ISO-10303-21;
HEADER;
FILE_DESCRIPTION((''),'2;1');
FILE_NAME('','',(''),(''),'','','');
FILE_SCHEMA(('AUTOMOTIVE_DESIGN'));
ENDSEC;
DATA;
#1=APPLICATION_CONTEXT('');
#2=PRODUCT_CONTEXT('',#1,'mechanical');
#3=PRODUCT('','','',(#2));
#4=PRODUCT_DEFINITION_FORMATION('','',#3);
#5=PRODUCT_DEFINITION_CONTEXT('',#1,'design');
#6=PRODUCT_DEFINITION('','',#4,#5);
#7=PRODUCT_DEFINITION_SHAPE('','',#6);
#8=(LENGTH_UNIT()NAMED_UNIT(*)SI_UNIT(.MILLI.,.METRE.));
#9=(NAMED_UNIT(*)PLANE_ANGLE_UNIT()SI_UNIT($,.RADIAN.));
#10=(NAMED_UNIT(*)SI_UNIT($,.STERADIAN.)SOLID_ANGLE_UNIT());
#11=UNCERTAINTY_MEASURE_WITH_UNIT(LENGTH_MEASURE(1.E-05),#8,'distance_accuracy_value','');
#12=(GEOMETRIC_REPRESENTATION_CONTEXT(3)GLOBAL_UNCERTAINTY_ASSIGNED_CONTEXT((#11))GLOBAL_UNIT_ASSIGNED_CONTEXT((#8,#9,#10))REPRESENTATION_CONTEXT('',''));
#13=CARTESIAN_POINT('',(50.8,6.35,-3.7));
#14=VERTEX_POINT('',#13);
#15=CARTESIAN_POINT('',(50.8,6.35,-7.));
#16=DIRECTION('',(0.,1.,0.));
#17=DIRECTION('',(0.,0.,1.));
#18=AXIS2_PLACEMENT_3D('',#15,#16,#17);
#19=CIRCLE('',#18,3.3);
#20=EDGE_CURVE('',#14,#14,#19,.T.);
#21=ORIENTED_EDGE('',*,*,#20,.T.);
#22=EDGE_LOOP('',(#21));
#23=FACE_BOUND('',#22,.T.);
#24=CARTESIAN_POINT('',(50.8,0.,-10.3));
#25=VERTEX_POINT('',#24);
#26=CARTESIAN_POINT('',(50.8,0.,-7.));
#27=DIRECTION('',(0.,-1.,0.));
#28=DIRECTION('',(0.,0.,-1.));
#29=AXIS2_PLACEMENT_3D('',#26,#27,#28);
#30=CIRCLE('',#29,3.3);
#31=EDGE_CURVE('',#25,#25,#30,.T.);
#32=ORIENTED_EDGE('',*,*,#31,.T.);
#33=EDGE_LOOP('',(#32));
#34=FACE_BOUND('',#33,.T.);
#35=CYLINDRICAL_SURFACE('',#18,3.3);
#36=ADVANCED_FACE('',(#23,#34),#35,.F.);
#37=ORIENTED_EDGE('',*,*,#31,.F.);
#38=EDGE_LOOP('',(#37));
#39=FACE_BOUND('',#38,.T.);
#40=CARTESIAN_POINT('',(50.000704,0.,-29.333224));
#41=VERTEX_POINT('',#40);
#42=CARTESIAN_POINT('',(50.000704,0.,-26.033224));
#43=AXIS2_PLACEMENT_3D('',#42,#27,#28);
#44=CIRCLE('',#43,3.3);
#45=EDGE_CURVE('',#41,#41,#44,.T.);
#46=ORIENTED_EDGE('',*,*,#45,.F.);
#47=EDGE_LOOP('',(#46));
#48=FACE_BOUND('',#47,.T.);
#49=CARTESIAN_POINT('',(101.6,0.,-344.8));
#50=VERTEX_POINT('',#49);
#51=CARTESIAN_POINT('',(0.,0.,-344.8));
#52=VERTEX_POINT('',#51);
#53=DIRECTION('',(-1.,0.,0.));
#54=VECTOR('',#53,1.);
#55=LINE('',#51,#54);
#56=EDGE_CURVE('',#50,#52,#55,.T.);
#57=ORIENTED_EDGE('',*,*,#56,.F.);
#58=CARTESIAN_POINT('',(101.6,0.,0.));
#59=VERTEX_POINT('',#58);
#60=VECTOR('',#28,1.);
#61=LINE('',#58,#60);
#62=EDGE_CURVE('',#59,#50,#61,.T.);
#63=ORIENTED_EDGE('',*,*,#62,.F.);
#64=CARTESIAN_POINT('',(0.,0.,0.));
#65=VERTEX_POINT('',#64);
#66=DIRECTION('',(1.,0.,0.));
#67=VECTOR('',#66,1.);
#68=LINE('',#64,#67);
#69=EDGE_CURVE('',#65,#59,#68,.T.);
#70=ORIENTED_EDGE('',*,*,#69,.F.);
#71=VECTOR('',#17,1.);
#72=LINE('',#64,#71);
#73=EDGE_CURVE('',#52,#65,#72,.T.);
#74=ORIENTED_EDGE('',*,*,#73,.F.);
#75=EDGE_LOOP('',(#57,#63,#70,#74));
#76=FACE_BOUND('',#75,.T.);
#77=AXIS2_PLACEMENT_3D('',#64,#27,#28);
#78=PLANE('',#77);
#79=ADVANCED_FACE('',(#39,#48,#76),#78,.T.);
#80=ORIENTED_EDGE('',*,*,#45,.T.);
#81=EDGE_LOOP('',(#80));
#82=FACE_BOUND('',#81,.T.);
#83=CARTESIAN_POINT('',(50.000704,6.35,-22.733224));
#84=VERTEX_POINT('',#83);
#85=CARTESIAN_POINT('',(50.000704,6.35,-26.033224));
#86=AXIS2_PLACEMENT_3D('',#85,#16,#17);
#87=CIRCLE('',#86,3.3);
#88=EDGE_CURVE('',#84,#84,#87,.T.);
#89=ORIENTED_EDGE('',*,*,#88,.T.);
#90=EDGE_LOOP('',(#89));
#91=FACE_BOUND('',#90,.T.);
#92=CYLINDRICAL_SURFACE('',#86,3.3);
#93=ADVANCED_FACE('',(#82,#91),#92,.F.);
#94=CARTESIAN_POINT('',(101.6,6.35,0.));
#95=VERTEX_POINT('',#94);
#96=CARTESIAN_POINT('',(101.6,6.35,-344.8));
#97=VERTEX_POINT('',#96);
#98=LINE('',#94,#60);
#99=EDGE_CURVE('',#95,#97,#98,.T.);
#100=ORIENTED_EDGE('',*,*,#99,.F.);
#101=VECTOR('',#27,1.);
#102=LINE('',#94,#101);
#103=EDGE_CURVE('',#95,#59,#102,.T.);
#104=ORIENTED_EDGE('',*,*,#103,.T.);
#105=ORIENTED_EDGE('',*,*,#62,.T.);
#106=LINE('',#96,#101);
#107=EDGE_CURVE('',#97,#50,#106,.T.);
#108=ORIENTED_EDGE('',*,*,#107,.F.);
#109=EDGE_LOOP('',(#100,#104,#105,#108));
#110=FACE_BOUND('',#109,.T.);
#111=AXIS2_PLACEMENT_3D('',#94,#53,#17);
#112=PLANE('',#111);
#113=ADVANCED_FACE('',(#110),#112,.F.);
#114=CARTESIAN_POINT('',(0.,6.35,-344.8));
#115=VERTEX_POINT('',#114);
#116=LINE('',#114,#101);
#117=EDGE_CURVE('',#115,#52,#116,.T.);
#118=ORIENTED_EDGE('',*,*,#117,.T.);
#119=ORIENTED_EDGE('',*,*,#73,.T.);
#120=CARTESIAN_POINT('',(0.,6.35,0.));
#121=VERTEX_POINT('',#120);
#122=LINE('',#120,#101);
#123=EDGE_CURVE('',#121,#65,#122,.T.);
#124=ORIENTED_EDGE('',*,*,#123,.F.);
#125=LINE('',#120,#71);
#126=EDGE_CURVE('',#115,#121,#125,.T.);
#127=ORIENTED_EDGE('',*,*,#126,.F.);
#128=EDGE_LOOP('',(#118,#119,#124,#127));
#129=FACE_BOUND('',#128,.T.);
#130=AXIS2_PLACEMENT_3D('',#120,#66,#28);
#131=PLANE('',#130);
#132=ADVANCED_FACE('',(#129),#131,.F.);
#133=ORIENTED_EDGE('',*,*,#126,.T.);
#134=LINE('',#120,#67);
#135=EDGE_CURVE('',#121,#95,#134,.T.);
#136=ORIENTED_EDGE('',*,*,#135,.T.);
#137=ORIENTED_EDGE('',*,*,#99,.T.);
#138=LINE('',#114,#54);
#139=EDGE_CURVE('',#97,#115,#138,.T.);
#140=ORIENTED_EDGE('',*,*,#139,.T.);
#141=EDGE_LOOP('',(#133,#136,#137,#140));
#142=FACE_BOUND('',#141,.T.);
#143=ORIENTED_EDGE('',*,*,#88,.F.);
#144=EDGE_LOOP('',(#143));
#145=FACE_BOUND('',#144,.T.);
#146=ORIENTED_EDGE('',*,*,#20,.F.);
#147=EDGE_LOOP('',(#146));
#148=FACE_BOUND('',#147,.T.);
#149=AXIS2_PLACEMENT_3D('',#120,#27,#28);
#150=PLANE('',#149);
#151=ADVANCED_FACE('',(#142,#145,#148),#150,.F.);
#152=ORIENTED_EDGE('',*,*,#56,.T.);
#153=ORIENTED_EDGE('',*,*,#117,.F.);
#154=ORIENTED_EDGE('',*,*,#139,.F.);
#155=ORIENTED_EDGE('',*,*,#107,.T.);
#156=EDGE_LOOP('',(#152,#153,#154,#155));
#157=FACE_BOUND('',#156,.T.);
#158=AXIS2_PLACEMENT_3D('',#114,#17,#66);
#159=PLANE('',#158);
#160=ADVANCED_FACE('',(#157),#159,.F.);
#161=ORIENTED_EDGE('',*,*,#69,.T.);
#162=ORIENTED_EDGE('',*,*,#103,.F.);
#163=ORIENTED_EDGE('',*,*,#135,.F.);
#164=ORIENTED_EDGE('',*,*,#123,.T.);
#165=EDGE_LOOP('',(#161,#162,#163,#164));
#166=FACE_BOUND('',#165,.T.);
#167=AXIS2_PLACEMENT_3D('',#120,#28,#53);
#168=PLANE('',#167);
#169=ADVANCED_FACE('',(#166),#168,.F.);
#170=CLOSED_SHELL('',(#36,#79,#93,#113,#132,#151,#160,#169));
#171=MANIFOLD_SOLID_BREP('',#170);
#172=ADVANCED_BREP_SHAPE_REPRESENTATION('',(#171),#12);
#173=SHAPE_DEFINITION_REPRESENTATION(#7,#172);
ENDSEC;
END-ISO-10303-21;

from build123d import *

# Parameters (mm, degrees)
SKETCH1_W                = 101.6
SKETCH1_H                = 344.8
BOSS_EXTRUDE1_DEPTH      = 6.35
M6_CLEARANCE_HOLE1_D     = 6.6
M6_CLEARANCE_HOLE1_DEPTH = 12.4
M6_CLEARANCE_HOLE1_TIP   = 1.982840043


with BuildPart() as part:
    # Sketch1 → Boss-Extrude1 (new body)
    with BuildSketch(Plane(origin=(0, 0, 0), x_dir=(1, 0, 0), z_dir=(0, 1, 0))):
        with Locations((50.8, 172.4)):
            Rectangle(SKETCH1_W, SKETCH1_H)
    extrude(amount=BOSS_EXTRUDE1_DEPTH)

    # M6 Clearance Hole1
    with Locations(Plane(origin=(50.000704492, 6.35, -26.033224285), x_dir=(0, 0, 1), z_dir=(0, 1, 0))):
        with Locations((0, 0), (19.033224285, 0.799295508)):
            Hole(M6_CLEARANCE_HOLE1_D / 2, depth=M6_CLEARANCE_HOLE1_DEPTH)
            with Locations((0, 0, -(M6_CLEARANCE_HOLE1_DEPTH + M6_CLEARANCE_HOLE1_TIP / 2))):  # 118° drill point
                Cone(0, M6_CLEARANCE_HOLE1_D / 2, M6_CLEARANCE_HOLE1_TIP, mode=Mode.SUBTRACT)


solid = part.part
